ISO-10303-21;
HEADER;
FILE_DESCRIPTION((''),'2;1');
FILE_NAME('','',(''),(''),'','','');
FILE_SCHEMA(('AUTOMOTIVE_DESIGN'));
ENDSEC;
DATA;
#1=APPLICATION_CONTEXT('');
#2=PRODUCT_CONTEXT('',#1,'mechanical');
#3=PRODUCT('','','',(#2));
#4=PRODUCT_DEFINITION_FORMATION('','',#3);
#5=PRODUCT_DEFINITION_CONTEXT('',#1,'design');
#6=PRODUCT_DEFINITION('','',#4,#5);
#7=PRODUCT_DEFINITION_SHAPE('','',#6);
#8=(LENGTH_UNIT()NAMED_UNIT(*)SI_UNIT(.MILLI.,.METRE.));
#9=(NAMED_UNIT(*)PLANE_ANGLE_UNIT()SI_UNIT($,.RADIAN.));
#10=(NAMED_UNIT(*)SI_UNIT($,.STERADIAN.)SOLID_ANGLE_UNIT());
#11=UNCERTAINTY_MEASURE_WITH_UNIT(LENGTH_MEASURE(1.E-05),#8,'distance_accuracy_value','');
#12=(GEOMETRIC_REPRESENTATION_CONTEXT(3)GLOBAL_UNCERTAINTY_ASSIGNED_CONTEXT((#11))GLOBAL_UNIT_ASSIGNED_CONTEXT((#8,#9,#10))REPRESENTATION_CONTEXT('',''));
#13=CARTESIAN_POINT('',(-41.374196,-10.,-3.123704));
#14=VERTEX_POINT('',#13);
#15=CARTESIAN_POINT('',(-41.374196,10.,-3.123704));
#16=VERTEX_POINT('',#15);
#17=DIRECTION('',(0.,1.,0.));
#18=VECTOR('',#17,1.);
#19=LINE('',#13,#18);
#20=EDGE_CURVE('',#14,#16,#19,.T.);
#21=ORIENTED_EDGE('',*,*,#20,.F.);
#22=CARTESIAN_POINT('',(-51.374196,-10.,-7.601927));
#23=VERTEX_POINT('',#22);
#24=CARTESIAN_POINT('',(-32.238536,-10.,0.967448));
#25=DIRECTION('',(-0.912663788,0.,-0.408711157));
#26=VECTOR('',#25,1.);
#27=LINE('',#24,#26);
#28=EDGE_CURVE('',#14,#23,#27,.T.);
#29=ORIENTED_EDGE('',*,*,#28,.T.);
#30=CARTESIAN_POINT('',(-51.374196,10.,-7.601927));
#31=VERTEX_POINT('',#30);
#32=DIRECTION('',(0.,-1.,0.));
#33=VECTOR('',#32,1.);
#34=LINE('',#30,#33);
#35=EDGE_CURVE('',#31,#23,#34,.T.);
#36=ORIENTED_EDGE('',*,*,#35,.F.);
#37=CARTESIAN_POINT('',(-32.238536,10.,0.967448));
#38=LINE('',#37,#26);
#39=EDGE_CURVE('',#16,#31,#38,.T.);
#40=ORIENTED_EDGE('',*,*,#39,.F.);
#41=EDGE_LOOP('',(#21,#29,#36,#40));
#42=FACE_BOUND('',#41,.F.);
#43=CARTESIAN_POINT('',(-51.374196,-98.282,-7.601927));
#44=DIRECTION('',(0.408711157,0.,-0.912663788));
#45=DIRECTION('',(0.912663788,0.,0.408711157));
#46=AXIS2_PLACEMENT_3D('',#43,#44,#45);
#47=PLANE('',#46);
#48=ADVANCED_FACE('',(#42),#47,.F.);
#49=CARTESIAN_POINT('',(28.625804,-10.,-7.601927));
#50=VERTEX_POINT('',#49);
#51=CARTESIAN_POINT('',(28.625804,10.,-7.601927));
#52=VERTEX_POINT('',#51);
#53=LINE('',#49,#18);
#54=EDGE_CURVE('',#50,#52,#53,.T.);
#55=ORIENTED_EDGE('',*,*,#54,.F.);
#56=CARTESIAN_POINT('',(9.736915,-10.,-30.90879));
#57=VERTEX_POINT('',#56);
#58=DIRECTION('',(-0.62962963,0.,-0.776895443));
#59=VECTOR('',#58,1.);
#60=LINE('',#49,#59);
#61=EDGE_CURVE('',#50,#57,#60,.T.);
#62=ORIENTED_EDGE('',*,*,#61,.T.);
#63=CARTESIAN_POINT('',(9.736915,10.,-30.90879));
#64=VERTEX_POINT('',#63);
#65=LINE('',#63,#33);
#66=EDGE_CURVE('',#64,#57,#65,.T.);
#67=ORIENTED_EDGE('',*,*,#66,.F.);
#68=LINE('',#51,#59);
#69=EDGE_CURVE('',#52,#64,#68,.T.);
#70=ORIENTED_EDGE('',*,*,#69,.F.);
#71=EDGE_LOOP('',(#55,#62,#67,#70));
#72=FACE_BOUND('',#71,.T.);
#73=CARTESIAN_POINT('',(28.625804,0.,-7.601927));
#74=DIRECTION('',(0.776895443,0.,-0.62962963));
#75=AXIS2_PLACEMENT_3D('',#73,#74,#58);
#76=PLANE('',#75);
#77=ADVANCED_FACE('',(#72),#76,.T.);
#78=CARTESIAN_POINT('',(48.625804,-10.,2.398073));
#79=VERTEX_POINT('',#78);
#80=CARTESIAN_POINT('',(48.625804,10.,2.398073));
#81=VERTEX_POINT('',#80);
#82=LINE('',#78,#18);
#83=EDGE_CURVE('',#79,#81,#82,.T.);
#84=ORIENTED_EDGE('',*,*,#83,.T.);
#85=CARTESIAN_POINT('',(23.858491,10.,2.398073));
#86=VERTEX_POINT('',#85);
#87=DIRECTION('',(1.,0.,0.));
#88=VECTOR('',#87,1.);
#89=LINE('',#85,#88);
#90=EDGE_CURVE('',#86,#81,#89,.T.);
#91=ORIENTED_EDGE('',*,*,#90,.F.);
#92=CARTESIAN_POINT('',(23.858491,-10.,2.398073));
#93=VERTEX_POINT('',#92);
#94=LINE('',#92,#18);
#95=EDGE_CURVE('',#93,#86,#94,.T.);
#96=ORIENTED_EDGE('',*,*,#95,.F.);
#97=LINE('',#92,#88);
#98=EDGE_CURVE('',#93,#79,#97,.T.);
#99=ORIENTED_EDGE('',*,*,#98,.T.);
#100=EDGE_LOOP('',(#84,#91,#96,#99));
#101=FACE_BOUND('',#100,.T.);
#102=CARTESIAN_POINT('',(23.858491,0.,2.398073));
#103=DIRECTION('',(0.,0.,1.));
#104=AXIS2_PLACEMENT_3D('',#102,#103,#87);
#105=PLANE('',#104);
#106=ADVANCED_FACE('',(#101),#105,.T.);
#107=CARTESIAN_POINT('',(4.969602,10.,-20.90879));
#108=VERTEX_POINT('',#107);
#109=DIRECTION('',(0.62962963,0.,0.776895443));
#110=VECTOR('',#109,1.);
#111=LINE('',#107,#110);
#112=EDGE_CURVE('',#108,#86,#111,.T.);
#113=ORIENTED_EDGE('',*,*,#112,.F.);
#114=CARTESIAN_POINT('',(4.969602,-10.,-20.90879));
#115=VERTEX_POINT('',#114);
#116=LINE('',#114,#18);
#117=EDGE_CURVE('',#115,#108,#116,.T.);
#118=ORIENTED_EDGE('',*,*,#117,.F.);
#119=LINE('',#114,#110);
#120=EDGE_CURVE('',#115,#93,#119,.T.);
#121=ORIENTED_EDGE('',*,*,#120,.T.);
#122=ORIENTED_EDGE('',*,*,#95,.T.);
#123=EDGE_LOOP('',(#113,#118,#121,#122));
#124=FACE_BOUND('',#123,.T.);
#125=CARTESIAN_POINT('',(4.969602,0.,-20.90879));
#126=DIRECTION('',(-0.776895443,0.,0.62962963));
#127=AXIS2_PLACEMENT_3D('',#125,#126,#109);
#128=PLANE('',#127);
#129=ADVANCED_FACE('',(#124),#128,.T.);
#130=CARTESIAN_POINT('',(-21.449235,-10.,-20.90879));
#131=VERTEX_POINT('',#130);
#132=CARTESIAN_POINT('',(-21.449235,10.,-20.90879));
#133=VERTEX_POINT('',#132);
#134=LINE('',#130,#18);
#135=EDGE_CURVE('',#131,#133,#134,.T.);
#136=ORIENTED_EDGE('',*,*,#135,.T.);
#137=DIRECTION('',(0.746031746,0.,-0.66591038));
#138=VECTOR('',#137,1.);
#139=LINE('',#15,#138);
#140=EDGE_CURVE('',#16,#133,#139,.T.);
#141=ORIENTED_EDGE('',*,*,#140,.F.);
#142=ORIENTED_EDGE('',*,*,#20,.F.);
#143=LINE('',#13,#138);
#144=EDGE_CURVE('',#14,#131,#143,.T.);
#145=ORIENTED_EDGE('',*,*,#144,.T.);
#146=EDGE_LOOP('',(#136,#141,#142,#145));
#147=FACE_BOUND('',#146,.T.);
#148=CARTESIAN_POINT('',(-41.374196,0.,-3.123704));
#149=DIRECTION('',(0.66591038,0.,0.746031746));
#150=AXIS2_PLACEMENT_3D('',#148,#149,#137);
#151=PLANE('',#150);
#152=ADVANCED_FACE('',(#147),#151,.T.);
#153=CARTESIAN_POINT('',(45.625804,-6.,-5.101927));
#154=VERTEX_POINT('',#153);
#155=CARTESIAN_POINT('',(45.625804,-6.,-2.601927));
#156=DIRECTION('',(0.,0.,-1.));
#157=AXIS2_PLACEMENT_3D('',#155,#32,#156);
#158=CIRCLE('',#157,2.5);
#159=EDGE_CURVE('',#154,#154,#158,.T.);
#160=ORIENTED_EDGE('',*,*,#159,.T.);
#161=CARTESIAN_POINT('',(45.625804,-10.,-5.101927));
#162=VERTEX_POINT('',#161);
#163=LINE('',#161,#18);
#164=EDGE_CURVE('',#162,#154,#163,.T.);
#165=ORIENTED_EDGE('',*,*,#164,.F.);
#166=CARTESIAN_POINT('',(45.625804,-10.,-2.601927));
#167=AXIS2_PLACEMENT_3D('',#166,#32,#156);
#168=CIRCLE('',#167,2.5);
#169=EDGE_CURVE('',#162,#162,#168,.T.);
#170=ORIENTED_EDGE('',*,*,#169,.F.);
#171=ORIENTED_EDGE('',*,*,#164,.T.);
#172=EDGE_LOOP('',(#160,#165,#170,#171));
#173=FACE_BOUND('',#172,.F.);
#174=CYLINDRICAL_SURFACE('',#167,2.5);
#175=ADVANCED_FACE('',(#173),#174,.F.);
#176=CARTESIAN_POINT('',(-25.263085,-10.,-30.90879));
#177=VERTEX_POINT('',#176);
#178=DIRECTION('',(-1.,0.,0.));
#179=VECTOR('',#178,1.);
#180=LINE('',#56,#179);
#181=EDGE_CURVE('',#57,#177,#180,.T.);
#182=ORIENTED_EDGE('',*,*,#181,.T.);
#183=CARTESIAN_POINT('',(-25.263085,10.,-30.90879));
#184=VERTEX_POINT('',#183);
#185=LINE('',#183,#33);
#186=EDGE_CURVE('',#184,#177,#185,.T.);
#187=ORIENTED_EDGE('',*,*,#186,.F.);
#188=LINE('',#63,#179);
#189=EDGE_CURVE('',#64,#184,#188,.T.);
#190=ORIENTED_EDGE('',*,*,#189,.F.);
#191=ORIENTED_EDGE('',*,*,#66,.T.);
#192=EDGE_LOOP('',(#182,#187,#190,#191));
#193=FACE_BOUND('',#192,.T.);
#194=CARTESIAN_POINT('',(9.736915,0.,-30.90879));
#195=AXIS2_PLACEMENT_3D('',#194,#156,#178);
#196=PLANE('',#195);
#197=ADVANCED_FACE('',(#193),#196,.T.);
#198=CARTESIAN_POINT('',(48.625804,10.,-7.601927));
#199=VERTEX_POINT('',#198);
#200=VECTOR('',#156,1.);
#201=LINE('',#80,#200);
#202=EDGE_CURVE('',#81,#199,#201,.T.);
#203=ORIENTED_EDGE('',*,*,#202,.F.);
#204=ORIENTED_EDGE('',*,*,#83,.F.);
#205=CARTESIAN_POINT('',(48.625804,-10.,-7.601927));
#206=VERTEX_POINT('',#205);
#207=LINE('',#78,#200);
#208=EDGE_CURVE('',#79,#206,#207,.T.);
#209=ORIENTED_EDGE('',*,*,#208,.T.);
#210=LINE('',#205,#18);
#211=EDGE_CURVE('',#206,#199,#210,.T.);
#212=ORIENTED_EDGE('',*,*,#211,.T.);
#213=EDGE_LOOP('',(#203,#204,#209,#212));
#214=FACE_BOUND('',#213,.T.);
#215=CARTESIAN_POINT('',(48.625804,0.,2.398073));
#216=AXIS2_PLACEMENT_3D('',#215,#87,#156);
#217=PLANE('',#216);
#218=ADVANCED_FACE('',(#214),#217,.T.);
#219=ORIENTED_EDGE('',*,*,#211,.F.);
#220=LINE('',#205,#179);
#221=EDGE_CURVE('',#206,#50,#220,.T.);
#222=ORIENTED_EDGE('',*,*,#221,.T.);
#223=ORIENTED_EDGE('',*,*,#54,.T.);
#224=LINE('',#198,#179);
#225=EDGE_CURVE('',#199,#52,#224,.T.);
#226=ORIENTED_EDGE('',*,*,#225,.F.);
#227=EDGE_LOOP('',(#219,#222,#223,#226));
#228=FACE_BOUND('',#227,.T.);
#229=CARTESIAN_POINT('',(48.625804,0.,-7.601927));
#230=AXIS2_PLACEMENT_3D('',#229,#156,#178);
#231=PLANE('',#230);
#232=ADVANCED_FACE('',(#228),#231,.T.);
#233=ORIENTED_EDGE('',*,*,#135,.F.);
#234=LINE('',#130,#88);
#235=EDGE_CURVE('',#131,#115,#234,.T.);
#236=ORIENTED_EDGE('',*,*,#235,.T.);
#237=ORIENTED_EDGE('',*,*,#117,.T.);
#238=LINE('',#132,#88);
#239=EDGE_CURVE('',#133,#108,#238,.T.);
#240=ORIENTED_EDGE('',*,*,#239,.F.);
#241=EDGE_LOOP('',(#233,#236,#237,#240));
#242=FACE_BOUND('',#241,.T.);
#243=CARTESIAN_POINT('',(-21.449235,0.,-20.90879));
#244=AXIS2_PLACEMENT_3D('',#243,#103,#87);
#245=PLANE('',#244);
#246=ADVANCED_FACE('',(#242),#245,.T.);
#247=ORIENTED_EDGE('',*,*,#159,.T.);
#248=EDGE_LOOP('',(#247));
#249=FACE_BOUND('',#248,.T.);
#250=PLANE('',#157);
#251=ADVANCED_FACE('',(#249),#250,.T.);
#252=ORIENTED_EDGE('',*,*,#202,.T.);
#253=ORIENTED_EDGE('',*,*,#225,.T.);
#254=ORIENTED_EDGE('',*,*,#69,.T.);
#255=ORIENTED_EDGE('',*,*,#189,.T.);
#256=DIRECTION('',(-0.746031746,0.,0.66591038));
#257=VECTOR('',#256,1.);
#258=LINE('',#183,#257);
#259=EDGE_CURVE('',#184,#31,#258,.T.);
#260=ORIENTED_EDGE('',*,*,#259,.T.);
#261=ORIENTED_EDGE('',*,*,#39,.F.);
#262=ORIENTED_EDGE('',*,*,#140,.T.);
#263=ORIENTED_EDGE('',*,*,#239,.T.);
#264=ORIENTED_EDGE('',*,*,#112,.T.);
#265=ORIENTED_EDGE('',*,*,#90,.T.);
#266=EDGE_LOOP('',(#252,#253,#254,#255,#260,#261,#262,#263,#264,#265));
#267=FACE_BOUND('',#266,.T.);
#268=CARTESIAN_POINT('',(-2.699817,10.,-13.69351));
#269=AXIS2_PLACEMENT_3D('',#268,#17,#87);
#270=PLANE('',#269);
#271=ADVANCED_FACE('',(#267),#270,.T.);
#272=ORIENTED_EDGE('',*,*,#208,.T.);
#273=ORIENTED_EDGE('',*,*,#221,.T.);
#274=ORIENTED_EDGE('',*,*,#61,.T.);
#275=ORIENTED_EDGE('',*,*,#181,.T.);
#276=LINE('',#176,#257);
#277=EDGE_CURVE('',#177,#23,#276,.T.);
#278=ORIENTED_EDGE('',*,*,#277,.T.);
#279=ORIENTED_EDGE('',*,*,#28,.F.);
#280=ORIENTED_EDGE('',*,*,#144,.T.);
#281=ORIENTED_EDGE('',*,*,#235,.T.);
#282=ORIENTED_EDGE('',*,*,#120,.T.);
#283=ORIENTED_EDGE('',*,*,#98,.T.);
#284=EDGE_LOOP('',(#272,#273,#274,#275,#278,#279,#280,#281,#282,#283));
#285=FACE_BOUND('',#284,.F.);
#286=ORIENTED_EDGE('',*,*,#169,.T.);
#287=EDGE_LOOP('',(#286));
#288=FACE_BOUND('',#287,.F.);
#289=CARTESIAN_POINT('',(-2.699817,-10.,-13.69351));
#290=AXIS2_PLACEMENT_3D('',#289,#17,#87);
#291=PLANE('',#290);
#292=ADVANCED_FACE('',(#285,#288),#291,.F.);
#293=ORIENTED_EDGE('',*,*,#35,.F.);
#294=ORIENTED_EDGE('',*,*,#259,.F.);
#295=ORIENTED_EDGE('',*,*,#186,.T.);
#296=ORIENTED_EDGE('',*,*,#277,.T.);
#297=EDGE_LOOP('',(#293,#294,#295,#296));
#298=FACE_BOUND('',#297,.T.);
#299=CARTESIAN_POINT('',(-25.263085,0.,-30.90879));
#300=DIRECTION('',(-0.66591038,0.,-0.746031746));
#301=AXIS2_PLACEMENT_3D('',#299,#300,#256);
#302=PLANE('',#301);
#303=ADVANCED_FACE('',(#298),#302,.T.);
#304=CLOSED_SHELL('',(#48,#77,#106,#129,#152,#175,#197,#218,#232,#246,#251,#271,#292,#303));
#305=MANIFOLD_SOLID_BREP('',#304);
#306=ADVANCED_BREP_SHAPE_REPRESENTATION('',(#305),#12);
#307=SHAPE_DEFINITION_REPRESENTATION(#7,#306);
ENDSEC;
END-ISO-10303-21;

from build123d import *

# Parameters (mm, degrees)
BOSS_EXTRUDE1_DEPTH      = 10
BOSS_EXTRUDE1_DEPTH_BACK = 10
SKETCH2_R                = 2.5
CUT_EXTRUDE1_DEPTH       = 4
SPLIT2_SURFACE_1_BACK    = 108.282
SPLIT2_SURFACE_1_DEPTH   = 216.564


with BuildPart() as part:
    # Sketch1 → Boss-Extrude1 (new, two sides)
    with BuildSketch(Plane(origin=(0, 0, 0), x_dir=(1, 0, 0), z_dir=(0, 1, 0))) as boss_extrude1_sk:
        Polygon((-51.374196063, 7.601926758), (-51.374196063, -2.398073242), (-41.374196063, -2.398073242), (-41.374196063, 3.123704189), (-21.449234595, 20.908790051), (4.969602102, 20.908790051), (23.858490991, -2.398073242), (48.625803937, -2.398073242), (48.625803937, 7.601926758), (28.625803937, 7.601926758), (9.736915048, 30.908790051), (-25.263084952, 30.908790051), align=None)
    extrude(amount=BOSS_EXTRUDE1_DEPTH)
    extrude(boss_extrude1_sk.sketch, amount=-BOSS_EXTRUDE1_DEPTH_BACK)

    # Sketch2 → Cut-Extrude1 (cut)
    with BuildSketch(Plane.XZ.offset(10)):
        with Locations(Location((45.625803937, -2.601926758, 0), (0, 0, 270))):
            Circle(SKETCH2_R)
    extrude(amount=-CUT_EXTRUDE1_DEPTH, mode=Mode.SUBTRACT)

    # Split2: cut with a surface, the side it looks to stays
    # Split2 surface: a surface, the sketch's curves swept straight by 216.564 mm
    with BuildLine(Plane(origin=(0, 10, 0), x_dir=(1, 0, 0), z_dir=(0, 1, 0)).offset(-SPLIT2_SURFACE_1_BACK), mode=Mode.PRIVATE) as split2_surface_1_path:
        Line((-51.374196063, 7.601926758), (-41.374196063, 3.123704189))
    split2_surface_1 = Shell.extrude(split2_surface_1_path.wire(), (0 * SPLIT2_SURFACE_1_DEPTH, 1 * SPLIT2_SURFACE_1_DEPTH, 0 * SPLIT2_SURFACE_1_DEPTH))
    split(bisect_by=split2_surface_1, keep=Keep.TOP)


solid = part.part
